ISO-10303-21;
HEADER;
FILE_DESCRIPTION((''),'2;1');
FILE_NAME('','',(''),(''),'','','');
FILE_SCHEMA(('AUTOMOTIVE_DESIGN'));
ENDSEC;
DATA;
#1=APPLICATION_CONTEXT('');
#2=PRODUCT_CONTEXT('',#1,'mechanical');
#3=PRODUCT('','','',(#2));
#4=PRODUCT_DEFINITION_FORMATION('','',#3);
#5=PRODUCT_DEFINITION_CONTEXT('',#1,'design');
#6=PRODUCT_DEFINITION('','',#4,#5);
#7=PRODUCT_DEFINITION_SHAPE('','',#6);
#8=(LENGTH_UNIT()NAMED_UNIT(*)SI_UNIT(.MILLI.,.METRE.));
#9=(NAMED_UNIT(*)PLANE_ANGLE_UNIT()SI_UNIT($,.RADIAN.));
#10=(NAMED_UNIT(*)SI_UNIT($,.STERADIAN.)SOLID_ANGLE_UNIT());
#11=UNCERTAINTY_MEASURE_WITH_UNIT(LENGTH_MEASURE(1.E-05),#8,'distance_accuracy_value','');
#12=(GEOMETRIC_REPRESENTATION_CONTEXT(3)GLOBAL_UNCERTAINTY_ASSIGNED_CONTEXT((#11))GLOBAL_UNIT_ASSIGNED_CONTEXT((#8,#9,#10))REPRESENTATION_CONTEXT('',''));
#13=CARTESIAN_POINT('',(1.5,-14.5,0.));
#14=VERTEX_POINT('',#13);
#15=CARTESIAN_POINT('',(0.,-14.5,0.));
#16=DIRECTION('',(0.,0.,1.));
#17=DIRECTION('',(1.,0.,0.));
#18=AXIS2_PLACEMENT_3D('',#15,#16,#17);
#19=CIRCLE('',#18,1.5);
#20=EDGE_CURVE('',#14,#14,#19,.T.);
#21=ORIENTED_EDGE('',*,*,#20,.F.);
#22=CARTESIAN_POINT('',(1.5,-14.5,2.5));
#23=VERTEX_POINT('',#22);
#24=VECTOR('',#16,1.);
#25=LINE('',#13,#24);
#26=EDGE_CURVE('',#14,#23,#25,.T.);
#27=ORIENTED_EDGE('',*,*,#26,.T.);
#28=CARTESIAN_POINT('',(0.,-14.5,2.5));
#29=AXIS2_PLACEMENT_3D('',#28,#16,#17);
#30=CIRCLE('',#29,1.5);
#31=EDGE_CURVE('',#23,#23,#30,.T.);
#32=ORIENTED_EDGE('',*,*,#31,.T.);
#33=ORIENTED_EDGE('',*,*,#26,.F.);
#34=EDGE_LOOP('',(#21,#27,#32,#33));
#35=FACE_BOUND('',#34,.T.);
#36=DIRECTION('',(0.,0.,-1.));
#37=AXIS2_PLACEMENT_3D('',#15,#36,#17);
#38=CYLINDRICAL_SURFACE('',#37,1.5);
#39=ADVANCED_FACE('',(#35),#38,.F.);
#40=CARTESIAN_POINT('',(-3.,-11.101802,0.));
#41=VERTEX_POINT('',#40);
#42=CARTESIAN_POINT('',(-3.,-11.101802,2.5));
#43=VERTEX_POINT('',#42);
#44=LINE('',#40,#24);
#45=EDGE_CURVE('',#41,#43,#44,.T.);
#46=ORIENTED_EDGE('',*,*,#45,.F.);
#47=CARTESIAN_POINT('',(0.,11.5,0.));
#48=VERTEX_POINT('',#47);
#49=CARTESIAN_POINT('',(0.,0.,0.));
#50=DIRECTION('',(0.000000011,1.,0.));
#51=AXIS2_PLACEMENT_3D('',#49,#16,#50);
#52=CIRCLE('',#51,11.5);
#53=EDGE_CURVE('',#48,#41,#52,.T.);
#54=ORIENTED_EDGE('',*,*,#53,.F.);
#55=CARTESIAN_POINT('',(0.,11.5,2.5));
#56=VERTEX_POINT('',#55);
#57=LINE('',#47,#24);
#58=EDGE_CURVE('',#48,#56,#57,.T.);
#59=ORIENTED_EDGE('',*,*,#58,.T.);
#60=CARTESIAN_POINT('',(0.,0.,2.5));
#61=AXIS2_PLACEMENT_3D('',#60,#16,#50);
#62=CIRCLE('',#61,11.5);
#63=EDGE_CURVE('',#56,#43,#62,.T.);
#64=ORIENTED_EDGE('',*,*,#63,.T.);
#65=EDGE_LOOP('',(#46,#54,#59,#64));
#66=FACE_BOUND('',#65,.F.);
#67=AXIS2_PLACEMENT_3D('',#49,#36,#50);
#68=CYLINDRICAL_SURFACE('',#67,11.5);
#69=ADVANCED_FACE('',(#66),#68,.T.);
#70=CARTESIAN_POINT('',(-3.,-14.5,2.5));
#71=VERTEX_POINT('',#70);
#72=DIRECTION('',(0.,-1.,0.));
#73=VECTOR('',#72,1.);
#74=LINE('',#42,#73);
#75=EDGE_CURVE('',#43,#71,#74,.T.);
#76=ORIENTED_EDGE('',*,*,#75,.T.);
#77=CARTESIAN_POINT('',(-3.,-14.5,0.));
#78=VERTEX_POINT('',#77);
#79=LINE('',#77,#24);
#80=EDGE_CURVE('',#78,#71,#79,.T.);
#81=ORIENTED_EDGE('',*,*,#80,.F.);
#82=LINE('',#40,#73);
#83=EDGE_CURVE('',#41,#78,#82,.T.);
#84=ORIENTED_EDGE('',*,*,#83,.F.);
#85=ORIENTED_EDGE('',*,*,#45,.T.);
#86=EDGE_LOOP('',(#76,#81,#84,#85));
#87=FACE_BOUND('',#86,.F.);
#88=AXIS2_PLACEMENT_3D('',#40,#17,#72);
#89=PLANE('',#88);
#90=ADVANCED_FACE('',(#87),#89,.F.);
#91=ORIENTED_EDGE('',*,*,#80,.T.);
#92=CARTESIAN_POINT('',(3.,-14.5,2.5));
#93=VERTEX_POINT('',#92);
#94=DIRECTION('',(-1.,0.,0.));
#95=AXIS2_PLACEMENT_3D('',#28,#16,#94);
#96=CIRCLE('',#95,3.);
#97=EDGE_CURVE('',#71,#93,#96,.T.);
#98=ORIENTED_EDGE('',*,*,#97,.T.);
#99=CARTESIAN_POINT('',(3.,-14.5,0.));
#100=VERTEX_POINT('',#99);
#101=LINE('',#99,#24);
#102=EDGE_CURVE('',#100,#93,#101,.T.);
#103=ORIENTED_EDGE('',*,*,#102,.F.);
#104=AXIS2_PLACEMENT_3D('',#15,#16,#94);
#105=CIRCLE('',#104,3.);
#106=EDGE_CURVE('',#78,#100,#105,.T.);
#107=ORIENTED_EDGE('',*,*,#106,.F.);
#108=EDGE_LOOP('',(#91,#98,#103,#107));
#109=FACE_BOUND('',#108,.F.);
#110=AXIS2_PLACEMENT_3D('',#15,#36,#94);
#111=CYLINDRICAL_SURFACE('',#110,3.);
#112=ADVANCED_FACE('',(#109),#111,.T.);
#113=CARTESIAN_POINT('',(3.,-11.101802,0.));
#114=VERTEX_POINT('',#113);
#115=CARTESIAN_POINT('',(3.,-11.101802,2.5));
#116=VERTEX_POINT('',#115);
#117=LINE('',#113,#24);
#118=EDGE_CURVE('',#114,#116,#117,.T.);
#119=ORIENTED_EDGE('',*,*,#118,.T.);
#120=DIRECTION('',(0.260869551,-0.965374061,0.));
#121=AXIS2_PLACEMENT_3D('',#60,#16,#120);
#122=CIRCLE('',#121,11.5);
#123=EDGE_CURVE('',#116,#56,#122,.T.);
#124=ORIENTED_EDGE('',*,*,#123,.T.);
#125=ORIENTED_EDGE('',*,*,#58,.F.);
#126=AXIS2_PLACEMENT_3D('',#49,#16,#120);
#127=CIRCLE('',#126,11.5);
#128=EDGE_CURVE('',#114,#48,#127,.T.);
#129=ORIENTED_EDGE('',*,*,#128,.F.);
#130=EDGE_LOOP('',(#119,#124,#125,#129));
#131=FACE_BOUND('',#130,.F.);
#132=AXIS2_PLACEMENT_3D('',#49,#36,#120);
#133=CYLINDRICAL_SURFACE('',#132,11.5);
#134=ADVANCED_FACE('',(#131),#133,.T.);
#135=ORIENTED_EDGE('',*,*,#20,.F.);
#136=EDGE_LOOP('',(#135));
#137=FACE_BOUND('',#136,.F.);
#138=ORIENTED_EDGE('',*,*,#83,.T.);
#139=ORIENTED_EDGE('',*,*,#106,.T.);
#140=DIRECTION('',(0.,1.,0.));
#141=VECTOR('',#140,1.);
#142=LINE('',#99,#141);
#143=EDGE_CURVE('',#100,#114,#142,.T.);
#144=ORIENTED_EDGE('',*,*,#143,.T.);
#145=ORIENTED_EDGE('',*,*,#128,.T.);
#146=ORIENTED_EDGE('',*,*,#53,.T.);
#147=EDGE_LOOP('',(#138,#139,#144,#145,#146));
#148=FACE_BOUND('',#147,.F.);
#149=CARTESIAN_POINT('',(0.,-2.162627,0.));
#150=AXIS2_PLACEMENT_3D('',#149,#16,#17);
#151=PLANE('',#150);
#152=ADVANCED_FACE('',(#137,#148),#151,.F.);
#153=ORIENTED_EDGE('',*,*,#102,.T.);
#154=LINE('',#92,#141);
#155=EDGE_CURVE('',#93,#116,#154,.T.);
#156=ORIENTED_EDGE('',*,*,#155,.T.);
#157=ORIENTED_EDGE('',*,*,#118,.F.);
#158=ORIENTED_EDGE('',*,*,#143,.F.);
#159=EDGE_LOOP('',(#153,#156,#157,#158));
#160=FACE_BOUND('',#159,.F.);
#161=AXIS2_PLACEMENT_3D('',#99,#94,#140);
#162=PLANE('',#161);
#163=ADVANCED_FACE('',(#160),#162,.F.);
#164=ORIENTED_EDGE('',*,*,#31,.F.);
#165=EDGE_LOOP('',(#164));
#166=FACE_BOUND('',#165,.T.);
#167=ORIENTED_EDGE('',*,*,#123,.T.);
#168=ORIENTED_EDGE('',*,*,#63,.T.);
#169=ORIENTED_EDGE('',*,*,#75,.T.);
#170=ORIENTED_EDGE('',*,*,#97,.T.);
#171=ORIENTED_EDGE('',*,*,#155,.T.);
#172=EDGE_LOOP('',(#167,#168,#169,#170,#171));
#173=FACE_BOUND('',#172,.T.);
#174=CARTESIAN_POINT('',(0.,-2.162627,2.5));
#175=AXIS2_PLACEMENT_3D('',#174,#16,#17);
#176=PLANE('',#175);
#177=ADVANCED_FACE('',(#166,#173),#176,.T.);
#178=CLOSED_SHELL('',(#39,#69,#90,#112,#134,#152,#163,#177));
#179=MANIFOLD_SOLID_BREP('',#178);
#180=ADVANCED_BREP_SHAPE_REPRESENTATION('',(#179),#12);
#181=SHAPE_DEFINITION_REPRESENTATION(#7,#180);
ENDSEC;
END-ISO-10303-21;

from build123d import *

# Parameters (mm, degrees)
F0_R     = 1.5
F1_DEPTH = 2.5


with BuildPart() as f1:
    # F0 (on Top) → F1 (new body)
    with BuildSketch(Plane.XY):
        with BuildLine():
            Line((-3, -11.101802), (-3, -14.5))
            ThreePointArc((-3, -14.5), (0, -17.5), (3, -14.5))
            Line((3, -14.5), (3, -11.101802))
            ThreePointArc((3, -11.101802), (11.400016, 1.513156), (0, 11.5))
            ThreePointArc((0, 11.5), (-11.400016, 1.513156), (-3, -11.101802))
        make_face()
        with Locations((0, -14.5)):
            Circle(F0_R, mode=Mode.SUBTRACT)
    extrude(amount=F1_DEPTH)


solid = f1.part
